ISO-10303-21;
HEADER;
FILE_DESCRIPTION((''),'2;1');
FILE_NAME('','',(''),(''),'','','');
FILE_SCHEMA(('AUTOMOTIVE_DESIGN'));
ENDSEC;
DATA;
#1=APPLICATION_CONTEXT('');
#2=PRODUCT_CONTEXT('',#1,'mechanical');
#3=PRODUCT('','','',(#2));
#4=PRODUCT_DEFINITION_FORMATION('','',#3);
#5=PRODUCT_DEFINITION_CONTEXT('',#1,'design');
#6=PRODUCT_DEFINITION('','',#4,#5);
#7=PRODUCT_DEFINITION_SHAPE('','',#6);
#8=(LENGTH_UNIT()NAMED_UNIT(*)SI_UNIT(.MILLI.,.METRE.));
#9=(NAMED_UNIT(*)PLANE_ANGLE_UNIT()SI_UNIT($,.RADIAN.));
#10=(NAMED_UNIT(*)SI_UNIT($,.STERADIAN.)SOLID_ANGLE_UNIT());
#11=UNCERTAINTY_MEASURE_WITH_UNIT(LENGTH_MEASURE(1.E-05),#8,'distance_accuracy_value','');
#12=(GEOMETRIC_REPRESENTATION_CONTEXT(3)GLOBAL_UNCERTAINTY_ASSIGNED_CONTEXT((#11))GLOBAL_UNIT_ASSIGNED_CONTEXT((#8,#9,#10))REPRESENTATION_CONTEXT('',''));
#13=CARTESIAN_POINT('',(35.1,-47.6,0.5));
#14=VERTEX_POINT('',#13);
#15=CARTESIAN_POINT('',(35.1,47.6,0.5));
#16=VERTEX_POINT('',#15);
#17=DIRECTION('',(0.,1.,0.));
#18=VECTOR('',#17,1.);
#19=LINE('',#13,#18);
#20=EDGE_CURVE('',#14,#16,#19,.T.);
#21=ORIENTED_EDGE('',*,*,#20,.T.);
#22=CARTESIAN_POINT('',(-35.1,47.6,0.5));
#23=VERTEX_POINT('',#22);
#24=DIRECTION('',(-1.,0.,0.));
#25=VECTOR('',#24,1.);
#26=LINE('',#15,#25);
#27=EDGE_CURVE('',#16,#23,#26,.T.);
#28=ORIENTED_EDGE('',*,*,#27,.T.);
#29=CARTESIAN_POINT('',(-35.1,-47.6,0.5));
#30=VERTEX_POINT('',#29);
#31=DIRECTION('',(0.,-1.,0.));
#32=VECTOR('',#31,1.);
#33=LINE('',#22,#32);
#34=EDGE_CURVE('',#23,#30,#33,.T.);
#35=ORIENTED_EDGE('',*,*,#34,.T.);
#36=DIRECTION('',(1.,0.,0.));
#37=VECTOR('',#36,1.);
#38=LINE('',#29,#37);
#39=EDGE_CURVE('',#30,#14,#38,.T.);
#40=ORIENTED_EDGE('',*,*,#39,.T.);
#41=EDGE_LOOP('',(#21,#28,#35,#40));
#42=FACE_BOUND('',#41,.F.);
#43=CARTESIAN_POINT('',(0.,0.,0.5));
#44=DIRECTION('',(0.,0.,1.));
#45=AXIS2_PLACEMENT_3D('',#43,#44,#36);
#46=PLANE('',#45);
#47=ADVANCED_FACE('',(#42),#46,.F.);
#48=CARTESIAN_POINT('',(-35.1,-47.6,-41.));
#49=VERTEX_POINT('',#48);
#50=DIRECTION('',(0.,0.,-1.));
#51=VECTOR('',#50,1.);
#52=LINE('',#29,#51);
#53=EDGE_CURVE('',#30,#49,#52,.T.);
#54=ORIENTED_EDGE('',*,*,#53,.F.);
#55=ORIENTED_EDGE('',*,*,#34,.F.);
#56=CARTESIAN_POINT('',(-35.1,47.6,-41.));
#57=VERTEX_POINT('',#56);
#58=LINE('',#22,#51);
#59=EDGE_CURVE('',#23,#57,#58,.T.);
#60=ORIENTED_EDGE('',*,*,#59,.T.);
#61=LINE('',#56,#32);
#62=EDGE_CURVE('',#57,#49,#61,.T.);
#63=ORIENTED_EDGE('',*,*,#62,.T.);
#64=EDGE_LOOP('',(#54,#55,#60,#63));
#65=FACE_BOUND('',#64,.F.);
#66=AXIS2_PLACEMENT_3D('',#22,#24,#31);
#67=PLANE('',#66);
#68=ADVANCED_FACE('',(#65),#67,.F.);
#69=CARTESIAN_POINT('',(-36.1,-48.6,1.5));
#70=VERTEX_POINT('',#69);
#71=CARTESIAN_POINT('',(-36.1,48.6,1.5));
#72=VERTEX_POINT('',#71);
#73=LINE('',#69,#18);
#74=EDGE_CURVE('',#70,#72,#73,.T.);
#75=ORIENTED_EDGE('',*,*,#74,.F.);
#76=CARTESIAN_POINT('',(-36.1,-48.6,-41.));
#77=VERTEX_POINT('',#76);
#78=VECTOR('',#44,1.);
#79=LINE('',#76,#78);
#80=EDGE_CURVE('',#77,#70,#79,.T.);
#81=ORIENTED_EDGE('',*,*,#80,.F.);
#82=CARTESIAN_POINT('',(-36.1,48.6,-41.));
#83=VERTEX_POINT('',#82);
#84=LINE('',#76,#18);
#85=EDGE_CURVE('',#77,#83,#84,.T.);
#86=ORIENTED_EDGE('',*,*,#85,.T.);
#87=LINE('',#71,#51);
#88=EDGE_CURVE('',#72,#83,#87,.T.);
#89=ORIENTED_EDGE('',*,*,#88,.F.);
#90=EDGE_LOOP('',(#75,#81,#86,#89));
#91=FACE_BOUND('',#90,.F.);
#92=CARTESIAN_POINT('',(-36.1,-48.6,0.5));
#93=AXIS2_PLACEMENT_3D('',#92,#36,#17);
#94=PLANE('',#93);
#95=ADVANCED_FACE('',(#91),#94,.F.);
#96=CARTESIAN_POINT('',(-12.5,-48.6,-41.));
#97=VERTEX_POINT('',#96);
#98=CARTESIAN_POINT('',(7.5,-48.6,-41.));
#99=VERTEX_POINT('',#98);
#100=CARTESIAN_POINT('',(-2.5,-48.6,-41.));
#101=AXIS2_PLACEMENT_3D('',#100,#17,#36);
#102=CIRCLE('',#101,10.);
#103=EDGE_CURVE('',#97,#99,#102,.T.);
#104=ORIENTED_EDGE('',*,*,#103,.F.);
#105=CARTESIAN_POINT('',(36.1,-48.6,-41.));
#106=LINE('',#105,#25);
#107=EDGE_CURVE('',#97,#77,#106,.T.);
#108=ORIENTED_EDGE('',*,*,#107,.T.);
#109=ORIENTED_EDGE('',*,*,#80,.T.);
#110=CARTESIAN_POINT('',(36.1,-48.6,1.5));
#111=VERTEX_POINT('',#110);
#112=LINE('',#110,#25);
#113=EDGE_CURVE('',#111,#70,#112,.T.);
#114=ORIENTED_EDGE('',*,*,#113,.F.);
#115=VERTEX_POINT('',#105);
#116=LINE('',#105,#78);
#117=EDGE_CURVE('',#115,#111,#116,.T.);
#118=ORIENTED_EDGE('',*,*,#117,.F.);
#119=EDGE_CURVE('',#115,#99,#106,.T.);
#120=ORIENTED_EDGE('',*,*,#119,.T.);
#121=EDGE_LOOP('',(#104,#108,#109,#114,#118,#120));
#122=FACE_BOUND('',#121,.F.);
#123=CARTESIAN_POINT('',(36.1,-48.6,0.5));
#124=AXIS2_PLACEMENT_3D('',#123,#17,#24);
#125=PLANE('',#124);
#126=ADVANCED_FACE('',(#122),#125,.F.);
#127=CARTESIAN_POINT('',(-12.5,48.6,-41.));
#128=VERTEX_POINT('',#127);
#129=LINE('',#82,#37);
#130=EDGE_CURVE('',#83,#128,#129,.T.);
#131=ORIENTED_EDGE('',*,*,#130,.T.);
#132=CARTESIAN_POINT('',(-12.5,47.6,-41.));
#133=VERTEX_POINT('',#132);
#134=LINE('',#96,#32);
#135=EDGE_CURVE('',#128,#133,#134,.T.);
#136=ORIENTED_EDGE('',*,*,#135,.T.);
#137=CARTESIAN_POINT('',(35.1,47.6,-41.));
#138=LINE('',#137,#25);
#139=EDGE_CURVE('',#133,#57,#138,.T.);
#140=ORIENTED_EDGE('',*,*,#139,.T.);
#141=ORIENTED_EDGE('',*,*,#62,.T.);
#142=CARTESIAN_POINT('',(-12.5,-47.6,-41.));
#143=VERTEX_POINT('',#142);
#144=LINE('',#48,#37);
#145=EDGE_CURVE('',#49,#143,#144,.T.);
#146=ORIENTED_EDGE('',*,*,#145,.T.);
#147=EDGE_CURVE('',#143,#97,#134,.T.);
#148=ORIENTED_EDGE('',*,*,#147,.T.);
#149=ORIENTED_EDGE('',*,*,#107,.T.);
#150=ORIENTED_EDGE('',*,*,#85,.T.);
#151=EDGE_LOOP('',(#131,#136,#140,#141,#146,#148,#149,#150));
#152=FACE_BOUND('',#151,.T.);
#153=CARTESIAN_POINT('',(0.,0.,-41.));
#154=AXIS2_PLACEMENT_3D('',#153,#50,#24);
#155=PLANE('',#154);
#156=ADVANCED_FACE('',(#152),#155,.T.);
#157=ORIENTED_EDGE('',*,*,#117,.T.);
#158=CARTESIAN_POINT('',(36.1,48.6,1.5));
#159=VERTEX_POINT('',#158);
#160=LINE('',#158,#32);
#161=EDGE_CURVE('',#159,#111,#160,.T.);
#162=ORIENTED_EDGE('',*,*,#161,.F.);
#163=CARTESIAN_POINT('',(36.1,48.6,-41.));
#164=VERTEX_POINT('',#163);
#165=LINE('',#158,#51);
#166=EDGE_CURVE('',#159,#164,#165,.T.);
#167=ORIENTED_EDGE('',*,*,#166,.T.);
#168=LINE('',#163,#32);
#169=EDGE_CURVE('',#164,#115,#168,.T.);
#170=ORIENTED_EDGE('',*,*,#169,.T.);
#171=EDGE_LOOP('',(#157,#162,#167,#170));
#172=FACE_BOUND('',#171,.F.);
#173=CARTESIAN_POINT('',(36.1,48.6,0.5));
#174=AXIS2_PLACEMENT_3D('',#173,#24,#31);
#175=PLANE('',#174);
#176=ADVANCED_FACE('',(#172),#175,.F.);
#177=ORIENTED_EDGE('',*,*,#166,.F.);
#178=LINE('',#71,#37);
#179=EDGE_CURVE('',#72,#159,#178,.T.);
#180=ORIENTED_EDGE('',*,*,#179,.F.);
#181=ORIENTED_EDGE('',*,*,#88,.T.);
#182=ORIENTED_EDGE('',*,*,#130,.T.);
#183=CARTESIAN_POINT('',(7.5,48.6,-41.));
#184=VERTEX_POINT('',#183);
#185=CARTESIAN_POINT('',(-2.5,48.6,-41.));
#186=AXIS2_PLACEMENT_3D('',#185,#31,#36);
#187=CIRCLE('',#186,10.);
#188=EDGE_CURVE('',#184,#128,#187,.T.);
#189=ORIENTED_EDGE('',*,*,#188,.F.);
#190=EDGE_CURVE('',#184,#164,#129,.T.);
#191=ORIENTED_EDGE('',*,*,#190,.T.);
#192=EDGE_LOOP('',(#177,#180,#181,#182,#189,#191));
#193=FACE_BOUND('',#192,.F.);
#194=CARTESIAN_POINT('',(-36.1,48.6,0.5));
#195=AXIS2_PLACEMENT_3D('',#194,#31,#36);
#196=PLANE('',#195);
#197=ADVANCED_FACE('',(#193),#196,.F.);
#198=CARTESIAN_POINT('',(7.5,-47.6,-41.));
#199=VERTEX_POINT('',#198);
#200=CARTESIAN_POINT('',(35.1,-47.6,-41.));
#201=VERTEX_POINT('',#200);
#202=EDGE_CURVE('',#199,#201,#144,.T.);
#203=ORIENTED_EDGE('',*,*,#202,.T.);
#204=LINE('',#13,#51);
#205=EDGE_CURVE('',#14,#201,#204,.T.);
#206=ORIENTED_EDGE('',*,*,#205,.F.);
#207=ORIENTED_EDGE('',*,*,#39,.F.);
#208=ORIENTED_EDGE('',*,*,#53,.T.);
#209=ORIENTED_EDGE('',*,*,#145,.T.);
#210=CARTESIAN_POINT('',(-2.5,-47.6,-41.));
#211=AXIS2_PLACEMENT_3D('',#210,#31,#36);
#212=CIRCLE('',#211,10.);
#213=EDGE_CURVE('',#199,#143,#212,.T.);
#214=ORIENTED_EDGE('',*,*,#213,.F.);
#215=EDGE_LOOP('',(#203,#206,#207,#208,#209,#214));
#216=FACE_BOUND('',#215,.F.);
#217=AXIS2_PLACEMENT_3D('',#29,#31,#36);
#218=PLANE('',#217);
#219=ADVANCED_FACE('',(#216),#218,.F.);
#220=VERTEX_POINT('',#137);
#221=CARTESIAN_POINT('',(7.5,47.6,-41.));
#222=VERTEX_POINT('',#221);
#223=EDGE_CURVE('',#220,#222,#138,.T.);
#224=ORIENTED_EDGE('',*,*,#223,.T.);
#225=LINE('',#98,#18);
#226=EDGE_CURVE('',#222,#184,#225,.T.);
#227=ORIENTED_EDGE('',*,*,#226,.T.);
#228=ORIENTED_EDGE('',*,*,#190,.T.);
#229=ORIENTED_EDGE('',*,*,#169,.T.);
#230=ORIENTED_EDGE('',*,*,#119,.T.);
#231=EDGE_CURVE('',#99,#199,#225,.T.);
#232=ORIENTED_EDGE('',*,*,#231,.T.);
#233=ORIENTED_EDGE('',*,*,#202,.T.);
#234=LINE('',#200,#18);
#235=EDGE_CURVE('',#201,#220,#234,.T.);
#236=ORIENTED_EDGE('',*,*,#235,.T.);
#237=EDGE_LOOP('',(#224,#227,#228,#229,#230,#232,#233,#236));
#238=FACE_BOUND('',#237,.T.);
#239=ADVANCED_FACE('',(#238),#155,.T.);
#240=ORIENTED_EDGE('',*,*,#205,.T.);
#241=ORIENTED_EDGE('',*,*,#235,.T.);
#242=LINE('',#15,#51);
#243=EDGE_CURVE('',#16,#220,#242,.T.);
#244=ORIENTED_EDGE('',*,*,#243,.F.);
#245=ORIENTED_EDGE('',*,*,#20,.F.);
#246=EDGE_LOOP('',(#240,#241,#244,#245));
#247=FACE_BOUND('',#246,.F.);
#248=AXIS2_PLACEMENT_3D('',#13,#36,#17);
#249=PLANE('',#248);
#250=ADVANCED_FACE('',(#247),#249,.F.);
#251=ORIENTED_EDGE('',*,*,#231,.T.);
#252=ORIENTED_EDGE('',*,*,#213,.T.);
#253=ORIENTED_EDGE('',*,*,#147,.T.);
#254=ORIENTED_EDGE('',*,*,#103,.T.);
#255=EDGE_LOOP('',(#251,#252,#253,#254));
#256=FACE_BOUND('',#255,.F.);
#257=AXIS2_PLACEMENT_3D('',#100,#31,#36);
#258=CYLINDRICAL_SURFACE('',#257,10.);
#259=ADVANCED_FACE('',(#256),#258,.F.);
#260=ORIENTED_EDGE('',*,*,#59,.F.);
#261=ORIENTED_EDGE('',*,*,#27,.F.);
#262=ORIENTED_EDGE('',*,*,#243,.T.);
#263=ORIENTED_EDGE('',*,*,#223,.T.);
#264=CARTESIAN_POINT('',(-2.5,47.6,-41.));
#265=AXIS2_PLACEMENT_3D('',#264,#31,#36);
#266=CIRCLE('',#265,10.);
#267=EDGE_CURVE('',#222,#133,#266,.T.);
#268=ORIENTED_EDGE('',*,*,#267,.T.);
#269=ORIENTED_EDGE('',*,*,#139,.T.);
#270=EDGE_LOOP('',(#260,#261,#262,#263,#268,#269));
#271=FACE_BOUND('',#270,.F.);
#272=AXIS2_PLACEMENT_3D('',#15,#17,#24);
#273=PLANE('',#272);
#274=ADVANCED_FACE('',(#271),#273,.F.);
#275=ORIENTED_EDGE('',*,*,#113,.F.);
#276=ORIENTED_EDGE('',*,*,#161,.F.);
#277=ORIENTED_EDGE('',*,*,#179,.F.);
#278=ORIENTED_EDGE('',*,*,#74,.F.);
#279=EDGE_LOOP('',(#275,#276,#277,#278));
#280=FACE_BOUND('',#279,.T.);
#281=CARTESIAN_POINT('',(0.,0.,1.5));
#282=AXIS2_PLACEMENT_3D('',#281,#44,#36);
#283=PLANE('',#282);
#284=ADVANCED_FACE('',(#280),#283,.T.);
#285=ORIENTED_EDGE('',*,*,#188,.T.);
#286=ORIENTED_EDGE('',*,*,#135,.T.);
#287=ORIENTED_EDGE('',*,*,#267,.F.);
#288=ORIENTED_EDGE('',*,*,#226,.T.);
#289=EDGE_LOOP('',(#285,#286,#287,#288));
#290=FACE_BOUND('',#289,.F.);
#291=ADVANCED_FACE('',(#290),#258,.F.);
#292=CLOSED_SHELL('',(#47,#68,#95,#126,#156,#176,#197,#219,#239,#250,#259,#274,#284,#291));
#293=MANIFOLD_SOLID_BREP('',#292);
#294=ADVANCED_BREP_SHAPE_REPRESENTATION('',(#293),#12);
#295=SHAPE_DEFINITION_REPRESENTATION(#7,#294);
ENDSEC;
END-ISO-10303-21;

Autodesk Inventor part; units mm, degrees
ref_plane "YZ Plane" through (0, 0, 0) normal (1, 0, 0) x (0, 1, 0)
ref_plane "Arbeitsebene1" through (0, 0, 0.5) normal (0, 0, 1) x (1, 0, 0)
sketch "Skizze1" plane through (0, 0, 0.5) normal (0, 0, 1) x (1, 0, 0)
  line L0 (-33.9, -46.4) -> (-33.9, 46.4) projected
  line L1 (-33.9, 46.4) -> (33.9, 46.4) projected
  line L2 (33.9, 46.4) -> (33.9, -46.4) projected
  line L3 (33.9, -46.4) -> (-33.9, -46.4) projected
  line L4 (35, 47.5) -> (-35, 47.5) projected
  line L5 (-35, 47.5) -> (-35, -47.5) projected
  line L6 (-35, -47.5) -> (35, -47.5) projected
  line L7 (35, -47.5) -> (35, 47.5) projected
  line L8 (-36.1, 48.6) -> (36.1, 48.6)
  line L9 (36.1, 48.6) -> (36.1, -48.6)
  line L10 (36.1, -48.6) -> (-36.1, -48.6)
  line L11 (-36.1, -48.6) -> (-36.1, 48.6)
  point P0 (0, 0)
  dimension "d0" = 1.1
extrude "Extrusion1" add sketch "Skizze1" along normal blind 1 contours L0 L1 L2 L3 | L7 L6 L5 L4 | L8 L9 L10 L11
sketch "Skizze2" plane through (0, 0, 0.5) normal (0, 0, -1) x (-1, 0, 0)
  line L0 (36.1, 48.6) -> (-36.1, 48.6) projected
  line L1 (-36.1, 48.6) -> (-36.1, -48.6) projected
  line L2 (-36.1, -48.6) -> (36.1, -48.6) projected
  line L3 (36.1, -48.6) -> (36.1, 48.6) projected
  line L4 (-35.1, 47.6) -> (35.1, 47.6)
  line L5 (35.1, 47.6) -> (35.1, -47.6)
  line L6 (35.1, -47.6) -> (-35.1, -47.6)
  line L7 (-35.1, -47.6) -> (-35.1, 47.6)
  point P0 (0, 0)
  dimension "d3" = 1
ref_plane "Arbeitsebene2" through (-34.54, -42.79, -40) normal (0, 0, 1) x (1, 0, 0)
ref_plane "Arbeitsebene3" through (-32.5, -40, -41) normal (0, 0, -1) x (0, 1, 0)
extrude "Extrusion2" add sketch "Skizze2" along normal up to surface (41.5 mm away)
sketch "Skizze3" plane through (-36.1, -48.6, 1.5) normal (0, -1, 0) x (1, 0, 0)
  line L0 (0, -42.5) -> (72.2, -42.5) projected
  line L1 (33.6, -45.4928) -> (33.6, 6) construction
  circle A0 centre (33.6, -42.5) radius 10
  point P0 (36.1, -1.5)
  dimension "d6" = 20
extrude "Extrusion3" cut sketch "Skizze3" against normal up to surface (97.2 mm away)
properties part number "Deckel"
